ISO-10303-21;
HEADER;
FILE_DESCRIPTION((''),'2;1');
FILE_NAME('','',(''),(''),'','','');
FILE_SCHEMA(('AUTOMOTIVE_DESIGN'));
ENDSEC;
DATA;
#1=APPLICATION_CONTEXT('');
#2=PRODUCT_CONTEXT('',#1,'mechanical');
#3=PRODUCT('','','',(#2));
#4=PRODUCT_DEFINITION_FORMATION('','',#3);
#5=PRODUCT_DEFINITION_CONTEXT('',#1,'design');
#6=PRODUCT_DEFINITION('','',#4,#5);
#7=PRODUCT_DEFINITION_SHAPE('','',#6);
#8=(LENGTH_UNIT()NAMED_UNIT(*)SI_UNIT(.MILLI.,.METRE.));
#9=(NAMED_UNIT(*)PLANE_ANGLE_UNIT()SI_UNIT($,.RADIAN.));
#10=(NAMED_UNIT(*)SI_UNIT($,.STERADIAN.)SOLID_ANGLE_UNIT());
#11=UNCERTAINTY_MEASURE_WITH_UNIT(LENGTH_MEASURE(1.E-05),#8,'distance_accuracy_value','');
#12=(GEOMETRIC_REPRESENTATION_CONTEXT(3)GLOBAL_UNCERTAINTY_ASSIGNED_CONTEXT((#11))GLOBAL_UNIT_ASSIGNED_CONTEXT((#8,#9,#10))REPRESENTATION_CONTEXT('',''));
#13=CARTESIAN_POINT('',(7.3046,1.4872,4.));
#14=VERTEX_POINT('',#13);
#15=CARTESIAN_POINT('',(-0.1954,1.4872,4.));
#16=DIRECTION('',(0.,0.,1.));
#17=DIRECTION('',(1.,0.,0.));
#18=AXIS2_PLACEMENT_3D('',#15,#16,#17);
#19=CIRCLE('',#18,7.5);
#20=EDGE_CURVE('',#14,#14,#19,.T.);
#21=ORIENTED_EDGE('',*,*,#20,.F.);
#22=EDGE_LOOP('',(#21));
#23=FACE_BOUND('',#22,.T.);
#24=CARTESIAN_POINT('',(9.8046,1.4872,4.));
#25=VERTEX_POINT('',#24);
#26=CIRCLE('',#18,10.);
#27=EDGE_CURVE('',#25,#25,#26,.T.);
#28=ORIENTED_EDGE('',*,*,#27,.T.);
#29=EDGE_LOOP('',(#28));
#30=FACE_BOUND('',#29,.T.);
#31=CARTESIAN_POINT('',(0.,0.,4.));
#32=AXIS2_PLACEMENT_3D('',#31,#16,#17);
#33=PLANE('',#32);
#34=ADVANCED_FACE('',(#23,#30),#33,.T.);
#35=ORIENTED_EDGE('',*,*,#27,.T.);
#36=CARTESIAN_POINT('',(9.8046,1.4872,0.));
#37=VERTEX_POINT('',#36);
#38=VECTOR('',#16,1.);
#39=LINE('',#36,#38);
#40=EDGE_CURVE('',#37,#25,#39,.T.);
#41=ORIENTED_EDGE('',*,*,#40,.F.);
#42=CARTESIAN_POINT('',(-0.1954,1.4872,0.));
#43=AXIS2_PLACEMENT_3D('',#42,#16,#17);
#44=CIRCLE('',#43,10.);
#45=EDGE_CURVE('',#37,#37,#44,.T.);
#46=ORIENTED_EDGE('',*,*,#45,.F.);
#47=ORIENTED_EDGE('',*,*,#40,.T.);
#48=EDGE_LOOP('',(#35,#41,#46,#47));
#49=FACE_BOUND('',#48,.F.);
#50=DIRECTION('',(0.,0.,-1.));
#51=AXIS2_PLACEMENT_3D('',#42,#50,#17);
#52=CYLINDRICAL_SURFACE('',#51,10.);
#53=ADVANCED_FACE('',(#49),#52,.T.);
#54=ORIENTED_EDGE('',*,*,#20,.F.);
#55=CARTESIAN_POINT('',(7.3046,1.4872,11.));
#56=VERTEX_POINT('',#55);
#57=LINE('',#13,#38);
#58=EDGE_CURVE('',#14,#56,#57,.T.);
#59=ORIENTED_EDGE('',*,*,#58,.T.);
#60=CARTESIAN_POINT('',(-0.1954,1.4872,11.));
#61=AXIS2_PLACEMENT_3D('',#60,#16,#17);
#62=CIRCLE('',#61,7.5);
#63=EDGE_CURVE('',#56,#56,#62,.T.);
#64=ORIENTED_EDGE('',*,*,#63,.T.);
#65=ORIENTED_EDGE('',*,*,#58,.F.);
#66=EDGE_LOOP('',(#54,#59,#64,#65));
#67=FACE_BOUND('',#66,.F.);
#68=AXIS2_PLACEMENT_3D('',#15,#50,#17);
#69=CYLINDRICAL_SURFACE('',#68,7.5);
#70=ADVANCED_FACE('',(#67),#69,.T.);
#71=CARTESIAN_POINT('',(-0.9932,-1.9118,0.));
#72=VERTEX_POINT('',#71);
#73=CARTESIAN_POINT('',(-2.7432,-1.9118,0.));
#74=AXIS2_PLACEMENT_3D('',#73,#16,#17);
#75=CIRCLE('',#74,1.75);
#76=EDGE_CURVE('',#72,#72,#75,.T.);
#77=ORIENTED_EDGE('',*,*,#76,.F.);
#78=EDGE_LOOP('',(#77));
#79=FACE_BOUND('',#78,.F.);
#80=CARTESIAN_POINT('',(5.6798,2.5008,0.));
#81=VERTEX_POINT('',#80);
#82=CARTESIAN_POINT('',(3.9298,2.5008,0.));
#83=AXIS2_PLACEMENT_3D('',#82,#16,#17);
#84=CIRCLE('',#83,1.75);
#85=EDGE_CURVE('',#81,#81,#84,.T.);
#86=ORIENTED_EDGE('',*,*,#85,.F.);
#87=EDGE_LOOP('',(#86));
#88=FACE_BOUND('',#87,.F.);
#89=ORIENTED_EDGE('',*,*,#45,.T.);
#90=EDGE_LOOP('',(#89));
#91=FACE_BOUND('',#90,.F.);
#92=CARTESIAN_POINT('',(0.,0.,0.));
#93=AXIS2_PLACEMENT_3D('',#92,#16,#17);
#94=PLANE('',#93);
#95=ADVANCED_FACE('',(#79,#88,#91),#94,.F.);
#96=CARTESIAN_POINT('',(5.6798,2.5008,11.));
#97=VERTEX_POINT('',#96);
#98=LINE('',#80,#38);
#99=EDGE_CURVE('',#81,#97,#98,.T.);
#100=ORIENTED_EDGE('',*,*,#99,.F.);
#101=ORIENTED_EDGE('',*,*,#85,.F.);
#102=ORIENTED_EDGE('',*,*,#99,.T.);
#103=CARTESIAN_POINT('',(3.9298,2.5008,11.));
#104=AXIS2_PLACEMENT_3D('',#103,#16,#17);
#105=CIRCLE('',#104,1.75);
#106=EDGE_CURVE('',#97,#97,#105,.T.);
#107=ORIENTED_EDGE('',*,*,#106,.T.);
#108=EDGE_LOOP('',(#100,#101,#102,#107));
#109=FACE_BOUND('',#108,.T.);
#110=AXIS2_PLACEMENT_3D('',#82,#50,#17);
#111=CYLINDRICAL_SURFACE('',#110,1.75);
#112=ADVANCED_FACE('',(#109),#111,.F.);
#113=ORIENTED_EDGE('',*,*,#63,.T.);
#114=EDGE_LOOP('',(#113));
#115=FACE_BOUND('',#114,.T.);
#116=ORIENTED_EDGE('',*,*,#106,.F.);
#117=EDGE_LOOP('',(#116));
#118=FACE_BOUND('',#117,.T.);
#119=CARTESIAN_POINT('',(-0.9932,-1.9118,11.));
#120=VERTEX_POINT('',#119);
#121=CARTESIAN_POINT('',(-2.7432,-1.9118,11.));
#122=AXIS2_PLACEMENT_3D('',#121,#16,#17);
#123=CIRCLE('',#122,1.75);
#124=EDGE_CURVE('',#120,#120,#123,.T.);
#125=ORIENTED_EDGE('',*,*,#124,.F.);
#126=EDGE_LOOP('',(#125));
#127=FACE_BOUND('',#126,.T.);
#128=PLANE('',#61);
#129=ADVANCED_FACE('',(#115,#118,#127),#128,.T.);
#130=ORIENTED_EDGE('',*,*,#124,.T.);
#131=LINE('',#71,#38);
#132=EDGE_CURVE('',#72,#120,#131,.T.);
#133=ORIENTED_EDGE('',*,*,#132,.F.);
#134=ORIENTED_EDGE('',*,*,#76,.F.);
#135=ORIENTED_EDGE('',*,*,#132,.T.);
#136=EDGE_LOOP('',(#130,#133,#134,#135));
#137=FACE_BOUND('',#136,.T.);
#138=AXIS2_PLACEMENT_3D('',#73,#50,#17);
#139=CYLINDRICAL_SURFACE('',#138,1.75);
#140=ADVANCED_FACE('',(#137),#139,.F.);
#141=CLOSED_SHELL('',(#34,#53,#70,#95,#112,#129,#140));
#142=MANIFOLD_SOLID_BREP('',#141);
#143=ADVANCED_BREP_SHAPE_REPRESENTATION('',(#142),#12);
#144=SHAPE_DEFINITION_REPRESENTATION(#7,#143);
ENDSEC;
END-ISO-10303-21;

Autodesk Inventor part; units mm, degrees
ref_plane "YZ Plane" through (0, 0, 0) normal (1, 0, 0) x (0, 1, 0)
ref_plane "XZ Plane" through (0, 0, 0) normal (0, 1, 0) x (-1, 0, 0)
ref_plane "XY Plane" through (0, 0, 0) normal (0, 0, 1) x (1, 0, 0)
sketch "Sketch3" plane through (0, 0, 0) normal (0, 0, 1) x (1, 0, 0)
  circle A0 centre (-0.1954, 1.4872) radius 10
  circle A1 centre (0.5933, 0.2945) radius 7.5 construction
  circle A2 centre (-2.7432, -1.9118) radius 1.75 construction
  circle A3 centre (-2.7432, -1.9118) radius 1.75
  circle A4 centre (3.9298, 2.5008) radius 1.75
  circle A5 centre (3.9298, 2.5008) radius 1.75 construction
  line L0 (3.9298, 2.5008) -> (-2.7432, -1.9118) construction
  line L1 (0.5933, 0.2945) -> (-1.1822, 2.9794) construction
  point P0 (0, 0)
  dimension "d1" = 1.5
  dimension "d2" = 20
  dimension "d9" = 8
extrude "Extrusion1" add sketch "Sketch3" along normal blind 4
sketch "Sketch4" plane through (-0.1954, 1.4872, 4) normal (0, 0, 1) x (1, 0, 0)
  circle A0 centre (0, 0) radius 10 construction
  circle A1 centre (4.1252, 1.0136) radius 1.75 construction
  circle A2 centre (-2.5478, -3.399) radius 1.75 construction
  circle A3 centre (0, 0) radius 7.5
  circle A4 centre (4.1252, 1.0136) radius 1.75
  circle A5 centre (-2.5478, -3.399) radius 1.75
  point P0 (0.1954, -1.4872)
  dimension "d6" = 15
extrude "Extrusion2" add sketch "Sketch4" along normal blind 7
properties part number "Shaft-2"
